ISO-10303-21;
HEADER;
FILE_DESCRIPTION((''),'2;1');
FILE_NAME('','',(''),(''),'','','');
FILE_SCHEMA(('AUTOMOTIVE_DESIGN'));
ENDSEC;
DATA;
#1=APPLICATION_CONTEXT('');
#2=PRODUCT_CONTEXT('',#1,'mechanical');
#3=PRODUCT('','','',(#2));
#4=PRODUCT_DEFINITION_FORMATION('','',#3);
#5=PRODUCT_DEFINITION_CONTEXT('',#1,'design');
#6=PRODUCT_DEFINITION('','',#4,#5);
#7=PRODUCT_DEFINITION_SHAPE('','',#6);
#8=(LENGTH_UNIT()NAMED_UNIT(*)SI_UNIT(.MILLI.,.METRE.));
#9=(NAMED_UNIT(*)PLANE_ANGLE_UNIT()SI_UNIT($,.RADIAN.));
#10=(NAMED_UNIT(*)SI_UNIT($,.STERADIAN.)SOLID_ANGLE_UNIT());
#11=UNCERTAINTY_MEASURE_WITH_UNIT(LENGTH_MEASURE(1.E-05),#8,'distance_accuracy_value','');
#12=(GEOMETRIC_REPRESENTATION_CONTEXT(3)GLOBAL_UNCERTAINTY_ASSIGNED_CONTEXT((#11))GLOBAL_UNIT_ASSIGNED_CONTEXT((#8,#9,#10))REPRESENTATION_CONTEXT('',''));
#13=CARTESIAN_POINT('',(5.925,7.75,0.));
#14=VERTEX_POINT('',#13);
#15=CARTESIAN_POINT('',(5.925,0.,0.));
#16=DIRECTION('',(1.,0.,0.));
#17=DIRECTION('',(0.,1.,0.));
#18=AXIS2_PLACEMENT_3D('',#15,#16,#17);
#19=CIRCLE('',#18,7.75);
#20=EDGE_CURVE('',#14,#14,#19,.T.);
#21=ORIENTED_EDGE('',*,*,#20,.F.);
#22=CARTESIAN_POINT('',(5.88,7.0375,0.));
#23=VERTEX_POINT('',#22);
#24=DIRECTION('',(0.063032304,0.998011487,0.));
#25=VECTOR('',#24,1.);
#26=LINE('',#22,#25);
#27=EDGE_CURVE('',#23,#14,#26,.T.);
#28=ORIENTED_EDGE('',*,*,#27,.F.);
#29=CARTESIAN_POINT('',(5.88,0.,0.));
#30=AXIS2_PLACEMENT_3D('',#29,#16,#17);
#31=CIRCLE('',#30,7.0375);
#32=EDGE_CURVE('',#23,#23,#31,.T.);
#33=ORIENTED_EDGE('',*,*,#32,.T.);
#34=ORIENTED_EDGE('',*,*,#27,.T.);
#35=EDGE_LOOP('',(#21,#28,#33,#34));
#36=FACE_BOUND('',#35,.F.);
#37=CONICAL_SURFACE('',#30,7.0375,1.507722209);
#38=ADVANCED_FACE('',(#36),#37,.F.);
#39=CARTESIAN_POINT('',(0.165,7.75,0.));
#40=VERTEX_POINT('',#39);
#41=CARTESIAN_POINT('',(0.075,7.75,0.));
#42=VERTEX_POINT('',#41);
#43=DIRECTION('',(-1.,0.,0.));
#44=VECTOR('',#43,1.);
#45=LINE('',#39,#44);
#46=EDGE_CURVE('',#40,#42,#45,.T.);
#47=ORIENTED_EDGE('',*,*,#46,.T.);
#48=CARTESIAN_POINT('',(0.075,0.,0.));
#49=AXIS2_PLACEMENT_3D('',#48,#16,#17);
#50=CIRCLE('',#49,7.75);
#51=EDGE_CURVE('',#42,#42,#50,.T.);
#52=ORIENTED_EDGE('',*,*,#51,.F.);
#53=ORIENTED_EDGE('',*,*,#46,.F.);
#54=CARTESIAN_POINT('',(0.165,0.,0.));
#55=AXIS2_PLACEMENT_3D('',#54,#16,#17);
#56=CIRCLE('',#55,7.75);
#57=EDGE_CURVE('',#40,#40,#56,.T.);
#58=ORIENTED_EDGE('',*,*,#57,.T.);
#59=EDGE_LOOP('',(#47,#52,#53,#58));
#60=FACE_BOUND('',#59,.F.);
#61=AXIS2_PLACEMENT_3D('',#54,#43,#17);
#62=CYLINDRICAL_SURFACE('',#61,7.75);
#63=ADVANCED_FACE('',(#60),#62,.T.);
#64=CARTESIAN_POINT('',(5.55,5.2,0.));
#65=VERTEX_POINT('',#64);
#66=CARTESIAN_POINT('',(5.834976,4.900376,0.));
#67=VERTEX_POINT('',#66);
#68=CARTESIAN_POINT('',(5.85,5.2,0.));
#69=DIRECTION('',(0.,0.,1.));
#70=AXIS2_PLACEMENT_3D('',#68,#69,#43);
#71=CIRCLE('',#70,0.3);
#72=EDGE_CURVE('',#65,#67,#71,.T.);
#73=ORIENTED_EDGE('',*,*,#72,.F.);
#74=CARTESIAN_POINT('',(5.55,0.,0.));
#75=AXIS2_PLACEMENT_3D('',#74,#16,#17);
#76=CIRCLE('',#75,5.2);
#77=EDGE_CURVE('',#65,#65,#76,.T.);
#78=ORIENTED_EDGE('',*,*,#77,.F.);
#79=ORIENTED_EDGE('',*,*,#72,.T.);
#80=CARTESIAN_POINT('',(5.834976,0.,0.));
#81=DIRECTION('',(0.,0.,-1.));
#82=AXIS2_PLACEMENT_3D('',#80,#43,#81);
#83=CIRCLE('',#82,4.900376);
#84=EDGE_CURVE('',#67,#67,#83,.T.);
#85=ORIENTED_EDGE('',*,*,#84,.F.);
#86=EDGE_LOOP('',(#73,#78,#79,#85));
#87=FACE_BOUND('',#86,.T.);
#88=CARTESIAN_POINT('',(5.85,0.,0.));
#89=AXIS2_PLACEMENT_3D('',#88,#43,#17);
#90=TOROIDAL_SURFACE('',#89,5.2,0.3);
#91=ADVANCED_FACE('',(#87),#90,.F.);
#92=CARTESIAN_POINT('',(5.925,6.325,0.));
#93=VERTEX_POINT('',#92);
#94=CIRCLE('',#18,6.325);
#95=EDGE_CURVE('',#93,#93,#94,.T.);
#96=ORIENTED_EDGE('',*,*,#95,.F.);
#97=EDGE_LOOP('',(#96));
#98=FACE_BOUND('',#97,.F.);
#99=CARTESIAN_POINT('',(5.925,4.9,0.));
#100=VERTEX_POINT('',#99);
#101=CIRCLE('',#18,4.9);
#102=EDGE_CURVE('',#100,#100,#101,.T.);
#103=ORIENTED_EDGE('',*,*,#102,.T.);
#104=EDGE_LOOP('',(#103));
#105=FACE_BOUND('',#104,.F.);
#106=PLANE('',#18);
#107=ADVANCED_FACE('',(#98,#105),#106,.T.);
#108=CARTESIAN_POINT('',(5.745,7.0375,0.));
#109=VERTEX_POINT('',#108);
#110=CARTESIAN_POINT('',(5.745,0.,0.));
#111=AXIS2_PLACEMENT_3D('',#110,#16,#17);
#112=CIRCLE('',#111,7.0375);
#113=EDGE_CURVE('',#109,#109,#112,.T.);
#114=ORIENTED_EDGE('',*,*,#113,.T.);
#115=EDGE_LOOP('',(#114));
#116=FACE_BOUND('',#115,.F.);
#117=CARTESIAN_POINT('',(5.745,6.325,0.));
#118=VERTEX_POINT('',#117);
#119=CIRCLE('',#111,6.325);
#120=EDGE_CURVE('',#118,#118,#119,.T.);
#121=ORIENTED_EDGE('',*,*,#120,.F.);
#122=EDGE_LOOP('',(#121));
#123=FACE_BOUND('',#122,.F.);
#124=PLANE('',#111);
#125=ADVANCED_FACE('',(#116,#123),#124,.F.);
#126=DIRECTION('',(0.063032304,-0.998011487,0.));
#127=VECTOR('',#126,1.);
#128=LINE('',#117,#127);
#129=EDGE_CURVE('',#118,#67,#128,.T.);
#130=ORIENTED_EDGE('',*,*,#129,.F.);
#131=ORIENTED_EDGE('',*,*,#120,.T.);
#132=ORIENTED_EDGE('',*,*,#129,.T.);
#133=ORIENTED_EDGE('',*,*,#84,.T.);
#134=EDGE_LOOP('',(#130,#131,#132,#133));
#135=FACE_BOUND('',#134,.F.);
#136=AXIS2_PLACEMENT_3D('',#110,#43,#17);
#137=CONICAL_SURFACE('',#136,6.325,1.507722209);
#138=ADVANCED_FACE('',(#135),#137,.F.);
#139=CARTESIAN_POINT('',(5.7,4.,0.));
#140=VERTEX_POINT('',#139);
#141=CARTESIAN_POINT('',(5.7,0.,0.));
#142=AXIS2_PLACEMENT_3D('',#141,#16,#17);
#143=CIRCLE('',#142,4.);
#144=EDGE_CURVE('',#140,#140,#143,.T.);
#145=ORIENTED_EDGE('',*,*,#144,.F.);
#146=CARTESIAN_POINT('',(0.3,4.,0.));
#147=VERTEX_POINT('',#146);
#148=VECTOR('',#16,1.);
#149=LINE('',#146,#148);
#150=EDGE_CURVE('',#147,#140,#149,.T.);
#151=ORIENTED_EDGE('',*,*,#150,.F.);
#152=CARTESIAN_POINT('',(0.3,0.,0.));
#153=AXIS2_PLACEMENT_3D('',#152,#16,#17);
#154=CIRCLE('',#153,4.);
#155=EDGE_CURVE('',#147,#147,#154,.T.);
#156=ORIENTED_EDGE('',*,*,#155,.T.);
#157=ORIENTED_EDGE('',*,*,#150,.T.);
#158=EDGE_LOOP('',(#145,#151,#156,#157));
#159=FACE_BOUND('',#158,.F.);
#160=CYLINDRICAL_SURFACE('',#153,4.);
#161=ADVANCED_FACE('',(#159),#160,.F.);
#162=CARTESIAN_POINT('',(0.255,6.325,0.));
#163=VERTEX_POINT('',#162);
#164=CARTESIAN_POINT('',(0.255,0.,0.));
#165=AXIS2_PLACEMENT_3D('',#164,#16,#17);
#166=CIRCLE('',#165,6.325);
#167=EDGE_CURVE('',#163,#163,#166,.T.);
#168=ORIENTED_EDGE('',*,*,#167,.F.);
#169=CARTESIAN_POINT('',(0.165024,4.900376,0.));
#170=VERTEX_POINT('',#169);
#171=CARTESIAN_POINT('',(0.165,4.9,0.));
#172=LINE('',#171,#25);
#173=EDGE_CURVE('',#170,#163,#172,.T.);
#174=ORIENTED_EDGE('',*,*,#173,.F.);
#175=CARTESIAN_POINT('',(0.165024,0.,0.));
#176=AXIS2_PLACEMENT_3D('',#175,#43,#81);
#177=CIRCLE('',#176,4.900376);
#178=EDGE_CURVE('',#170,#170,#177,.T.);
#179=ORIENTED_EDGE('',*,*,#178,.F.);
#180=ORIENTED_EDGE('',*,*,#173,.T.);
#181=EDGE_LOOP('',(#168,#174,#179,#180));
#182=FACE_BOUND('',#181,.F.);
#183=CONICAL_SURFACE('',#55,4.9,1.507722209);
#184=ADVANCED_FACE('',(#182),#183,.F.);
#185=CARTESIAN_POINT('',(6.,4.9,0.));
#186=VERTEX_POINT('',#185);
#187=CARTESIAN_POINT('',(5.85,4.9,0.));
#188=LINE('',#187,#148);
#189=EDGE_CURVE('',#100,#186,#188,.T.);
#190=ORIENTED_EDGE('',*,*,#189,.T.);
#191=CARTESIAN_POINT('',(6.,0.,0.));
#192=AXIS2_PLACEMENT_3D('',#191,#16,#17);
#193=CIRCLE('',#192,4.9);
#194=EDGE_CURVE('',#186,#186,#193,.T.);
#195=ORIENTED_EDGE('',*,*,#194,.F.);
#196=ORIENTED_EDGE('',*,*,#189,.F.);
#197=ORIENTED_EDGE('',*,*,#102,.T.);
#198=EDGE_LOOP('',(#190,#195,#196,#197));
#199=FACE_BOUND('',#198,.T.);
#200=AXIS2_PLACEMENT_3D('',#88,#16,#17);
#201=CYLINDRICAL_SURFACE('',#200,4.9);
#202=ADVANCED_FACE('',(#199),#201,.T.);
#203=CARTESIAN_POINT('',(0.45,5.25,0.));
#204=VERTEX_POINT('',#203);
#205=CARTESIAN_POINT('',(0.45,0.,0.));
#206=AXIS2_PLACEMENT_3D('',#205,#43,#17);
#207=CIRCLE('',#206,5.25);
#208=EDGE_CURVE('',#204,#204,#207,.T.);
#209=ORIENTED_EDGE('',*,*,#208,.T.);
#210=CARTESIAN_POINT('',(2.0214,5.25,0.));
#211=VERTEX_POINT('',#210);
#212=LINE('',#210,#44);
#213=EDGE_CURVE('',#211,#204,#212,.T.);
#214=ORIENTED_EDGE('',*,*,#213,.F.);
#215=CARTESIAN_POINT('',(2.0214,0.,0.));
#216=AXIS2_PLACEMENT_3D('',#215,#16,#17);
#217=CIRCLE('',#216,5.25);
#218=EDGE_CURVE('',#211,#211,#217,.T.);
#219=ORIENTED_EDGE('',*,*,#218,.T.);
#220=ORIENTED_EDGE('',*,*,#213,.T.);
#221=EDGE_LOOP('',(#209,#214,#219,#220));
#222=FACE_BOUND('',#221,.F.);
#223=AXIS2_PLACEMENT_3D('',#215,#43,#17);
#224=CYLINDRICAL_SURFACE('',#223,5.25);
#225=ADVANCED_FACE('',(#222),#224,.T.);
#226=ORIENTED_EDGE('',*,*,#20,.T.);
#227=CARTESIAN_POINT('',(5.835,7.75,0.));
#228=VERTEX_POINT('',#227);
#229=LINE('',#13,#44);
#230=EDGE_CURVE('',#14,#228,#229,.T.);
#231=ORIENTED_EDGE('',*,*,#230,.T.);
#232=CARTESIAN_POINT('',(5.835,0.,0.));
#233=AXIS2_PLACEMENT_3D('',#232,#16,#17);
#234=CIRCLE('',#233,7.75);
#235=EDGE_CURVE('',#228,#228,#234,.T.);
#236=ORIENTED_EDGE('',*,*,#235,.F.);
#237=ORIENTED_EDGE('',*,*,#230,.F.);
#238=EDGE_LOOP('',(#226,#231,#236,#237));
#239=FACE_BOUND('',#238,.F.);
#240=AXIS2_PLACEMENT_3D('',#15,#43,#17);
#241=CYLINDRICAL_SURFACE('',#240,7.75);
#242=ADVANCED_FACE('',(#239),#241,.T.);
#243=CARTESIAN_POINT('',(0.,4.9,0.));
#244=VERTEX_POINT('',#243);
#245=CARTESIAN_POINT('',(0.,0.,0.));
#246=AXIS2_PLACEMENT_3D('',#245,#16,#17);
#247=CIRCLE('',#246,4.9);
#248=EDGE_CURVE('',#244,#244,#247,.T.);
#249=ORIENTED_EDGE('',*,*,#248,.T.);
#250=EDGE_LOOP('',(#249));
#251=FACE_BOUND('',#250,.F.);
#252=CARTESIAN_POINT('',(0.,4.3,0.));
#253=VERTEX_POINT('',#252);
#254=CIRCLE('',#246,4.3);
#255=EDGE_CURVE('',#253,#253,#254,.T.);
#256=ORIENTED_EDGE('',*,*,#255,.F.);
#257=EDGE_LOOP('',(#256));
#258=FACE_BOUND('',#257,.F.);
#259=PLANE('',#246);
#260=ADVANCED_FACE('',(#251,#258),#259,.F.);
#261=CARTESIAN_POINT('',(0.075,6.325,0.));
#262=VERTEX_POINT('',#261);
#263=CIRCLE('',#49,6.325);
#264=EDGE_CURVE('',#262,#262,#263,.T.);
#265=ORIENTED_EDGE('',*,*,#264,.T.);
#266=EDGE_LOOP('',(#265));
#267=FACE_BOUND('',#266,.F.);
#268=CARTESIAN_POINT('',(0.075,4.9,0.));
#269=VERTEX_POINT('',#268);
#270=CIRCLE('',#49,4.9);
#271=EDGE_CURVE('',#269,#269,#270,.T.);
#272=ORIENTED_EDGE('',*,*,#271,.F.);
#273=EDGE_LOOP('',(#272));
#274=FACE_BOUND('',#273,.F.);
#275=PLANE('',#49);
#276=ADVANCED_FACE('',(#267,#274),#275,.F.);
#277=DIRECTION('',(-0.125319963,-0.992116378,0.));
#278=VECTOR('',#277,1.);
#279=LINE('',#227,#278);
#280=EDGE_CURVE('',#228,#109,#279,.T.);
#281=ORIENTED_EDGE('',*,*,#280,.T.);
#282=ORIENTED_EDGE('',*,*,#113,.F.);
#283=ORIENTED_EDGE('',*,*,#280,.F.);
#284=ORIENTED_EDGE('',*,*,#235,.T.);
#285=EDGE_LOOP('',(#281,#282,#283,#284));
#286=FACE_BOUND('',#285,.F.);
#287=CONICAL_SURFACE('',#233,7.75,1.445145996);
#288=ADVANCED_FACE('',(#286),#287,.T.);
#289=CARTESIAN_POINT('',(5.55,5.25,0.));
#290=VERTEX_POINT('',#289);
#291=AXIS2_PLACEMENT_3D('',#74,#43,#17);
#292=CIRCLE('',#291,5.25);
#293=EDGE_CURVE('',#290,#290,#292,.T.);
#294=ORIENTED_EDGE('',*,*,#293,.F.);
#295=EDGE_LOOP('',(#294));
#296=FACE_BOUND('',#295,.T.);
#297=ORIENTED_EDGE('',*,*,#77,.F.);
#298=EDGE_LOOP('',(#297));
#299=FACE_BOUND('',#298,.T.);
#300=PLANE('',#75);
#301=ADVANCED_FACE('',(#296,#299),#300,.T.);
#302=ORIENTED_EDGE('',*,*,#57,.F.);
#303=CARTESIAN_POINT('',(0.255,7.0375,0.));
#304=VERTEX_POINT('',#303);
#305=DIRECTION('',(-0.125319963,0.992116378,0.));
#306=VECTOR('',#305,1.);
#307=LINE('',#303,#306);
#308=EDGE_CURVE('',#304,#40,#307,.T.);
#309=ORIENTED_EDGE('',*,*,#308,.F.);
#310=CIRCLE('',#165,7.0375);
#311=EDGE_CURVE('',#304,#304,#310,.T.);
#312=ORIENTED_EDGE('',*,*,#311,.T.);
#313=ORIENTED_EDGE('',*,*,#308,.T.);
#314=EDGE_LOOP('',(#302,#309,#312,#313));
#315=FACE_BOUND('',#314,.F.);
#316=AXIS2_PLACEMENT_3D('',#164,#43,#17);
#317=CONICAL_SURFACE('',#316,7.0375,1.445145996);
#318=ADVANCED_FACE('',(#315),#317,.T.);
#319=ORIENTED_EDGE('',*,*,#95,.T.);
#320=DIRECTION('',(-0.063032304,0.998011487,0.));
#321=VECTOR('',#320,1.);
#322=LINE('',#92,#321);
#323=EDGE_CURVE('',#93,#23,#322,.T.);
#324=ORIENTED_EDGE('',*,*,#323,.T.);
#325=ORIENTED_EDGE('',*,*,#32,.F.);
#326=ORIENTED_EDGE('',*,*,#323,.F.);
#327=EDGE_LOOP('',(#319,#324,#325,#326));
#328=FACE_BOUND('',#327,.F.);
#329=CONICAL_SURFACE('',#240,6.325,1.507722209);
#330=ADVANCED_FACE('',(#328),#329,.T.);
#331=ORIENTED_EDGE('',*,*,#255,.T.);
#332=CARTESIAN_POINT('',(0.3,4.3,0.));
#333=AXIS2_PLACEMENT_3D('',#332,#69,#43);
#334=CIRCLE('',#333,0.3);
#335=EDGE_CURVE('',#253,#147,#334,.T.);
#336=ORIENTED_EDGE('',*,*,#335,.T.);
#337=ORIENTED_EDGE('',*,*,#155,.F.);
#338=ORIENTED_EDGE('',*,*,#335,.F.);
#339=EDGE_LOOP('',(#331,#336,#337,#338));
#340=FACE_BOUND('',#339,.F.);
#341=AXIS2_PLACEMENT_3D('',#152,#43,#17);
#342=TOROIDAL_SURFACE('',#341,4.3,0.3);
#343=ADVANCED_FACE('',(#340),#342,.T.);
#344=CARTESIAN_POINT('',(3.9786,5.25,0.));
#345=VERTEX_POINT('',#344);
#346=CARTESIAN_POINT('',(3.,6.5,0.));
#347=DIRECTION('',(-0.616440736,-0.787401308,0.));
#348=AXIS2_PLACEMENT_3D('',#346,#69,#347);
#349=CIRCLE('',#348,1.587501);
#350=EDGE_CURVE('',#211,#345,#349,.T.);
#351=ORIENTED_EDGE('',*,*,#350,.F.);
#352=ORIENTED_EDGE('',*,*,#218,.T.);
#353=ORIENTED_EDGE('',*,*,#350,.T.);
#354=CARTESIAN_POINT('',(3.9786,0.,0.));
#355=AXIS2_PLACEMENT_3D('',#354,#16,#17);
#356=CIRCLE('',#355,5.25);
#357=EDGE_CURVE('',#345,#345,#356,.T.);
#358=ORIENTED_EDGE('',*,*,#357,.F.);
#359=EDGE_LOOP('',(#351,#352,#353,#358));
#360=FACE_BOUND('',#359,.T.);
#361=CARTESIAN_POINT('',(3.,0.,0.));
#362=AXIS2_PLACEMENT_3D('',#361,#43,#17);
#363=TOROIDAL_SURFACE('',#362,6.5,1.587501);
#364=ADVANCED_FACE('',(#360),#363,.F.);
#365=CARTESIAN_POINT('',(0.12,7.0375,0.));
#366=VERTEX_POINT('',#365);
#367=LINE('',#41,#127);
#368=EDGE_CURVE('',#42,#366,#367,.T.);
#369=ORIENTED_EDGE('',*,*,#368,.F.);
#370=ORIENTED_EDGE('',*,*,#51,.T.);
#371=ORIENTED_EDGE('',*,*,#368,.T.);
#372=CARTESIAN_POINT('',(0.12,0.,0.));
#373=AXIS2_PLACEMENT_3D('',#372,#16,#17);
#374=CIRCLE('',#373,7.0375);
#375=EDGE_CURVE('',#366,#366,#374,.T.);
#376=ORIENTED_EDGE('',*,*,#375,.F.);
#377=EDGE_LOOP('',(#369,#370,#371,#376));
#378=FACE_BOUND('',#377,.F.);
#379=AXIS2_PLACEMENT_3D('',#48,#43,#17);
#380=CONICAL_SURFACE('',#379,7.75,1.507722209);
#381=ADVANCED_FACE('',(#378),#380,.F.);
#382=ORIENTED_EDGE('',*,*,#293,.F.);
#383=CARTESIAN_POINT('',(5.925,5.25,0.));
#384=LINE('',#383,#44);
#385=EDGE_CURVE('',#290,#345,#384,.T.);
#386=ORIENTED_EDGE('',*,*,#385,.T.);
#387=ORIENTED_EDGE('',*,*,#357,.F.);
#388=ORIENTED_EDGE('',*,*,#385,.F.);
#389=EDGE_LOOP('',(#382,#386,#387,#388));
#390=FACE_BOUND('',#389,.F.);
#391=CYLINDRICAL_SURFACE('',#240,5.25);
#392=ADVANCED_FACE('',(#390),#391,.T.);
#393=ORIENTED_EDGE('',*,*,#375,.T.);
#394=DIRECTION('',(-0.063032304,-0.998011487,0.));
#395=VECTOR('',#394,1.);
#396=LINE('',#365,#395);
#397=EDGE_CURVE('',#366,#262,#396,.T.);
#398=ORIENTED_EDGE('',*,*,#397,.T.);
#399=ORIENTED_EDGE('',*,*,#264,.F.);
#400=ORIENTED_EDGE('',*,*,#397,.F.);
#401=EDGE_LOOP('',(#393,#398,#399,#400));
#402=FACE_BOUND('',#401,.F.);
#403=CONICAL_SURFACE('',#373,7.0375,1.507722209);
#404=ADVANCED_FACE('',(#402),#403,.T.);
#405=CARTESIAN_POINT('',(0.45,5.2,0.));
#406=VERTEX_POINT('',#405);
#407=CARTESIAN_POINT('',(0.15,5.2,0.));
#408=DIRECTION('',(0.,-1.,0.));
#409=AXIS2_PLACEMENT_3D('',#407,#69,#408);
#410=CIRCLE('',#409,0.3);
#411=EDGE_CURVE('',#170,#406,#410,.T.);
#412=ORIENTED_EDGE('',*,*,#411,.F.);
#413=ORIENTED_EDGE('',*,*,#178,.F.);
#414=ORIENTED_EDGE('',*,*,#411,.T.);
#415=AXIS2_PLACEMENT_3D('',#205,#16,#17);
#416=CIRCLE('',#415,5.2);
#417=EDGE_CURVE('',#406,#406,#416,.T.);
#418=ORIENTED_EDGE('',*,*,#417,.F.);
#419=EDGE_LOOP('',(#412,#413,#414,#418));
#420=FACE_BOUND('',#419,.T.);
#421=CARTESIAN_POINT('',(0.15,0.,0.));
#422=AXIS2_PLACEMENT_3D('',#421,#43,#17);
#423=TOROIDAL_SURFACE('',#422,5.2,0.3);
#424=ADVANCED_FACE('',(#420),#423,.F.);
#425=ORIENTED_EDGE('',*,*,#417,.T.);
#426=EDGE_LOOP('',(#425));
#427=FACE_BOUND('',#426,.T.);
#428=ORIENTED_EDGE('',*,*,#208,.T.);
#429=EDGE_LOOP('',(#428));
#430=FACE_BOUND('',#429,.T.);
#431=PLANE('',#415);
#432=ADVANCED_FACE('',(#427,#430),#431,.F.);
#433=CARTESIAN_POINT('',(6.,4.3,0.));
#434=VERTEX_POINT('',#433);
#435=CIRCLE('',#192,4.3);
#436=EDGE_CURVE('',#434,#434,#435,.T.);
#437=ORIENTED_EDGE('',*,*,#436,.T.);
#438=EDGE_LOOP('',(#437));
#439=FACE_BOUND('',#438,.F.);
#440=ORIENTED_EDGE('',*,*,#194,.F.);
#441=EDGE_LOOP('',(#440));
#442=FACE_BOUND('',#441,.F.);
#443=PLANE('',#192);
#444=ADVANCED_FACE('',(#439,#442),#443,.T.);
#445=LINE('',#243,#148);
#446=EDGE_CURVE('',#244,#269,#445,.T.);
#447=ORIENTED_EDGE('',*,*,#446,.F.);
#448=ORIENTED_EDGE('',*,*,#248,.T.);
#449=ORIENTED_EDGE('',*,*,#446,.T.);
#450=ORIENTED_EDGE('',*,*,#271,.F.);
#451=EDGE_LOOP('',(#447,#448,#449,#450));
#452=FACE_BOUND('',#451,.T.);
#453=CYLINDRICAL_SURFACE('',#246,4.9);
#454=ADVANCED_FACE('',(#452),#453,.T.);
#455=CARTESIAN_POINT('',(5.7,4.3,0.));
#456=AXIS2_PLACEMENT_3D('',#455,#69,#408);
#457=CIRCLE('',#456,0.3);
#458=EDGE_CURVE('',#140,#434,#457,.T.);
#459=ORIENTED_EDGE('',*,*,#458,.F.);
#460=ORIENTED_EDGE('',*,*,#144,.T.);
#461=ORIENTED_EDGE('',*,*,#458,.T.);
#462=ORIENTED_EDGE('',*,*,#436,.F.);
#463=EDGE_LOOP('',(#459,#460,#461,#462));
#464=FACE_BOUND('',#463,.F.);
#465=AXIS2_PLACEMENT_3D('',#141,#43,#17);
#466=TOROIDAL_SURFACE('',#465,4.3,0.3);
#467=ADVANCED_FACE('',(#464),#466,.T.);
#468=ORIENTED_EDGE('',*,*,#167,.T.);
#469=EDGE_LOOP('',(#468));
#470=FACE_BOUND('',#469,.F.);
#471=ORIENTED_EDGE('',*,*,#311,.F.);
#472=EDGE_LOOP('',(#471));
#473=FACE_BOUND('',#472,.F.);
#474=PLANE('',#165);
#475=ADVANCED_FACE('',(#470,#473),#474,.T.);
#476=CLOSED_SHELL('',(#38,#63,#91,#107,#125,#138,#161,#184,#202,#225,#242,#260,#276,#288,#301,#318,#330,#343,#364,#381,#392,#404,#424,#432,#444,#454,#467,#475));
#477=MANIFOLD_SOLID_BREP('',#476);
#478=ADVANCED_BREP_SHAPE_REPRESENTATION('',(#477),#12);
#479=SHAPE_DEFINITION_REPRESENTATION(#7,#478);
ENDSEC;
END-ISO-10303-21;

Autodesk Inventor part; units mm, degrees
ref_plane "YZ Plane" through (0, 0, 0) normal (1, 0, 0) x (0, 1, 0)
ref_plane "XZ Plane" through (0, 0, 0) normal (0, 1, 0) x (-1, 0, 0)
ref_plane "XY Plane" through (0, 0, 0) normal (0, 0, 1) x (1, 0, 0)
sketch "Sketch_40" plane through (0, 0, 0) normal (0, 0, 1) x (1, 0, 0)
  line L0 (3, 0) -> (-3, 0)
  line L1 (0, 5.175) -> (0, 4.3)
  arc A0 (0, 4.3) -> (0.3, 4) centre (0.3, 4.3) ccw
  line L2 (0.3, 4) -> (5.7, 4)
  arc A1 (5.7, 4) -> (6, 4.3) centre (5.7, 4.3) ccw
  line L3 (6, 4.3) -> (6, 5.175)
  arc A2 (6, 5.175) -> (5.925, 5.25) centre (5.925, 5.175) ccw
  line L4 (5.925, 5.25) -> (3.9786, 5.25)
  arc A3 (2.0214, 5.25) -> (3.9786, 5.25) centre (3, 6.5) ccw
  line L5 (2.0214, 5.25) -> (0.075, 5.25)
  arc A4 (0.075, 5.25) -> (0, 5.175) centre (0.075, 5.175) ccw
revolve "Revolution1" add sketch "Sketch_40" angle 360 about axis through (3, 0, 0) along (1, 0, 0)
sketch "Sketch_42" plane through (0, 0, 0) normal (0, 0, 1) x (1, 0, 0)
  line L0 (3, 0) -> (-3, 0)
  line L1 (0, 11.4) -> (0, 4.9)
  line L2 (0, 4.9) -> (0.15, 4.9)
  arc A0 (0.15, 4.9) -> (0.45, 5.2) centre (0.15, 5.2) ccw
  line L3 (0.45, 5.2) -> (0.45, 11.1)
  line L4 (0.45, 11.1) -> (5.55, 11.1)
  line L5 (5.55, 11.1) -> (5.55, 5.2)
  arc A1 (5.55, 5.2) -> (5.85, 4.9) centre (5.85, 5.2) ccw
  line L6 (5.85, 4.9) -> (6, 4.9)
  line L7 (6, 4.9) -> (6, 11.4)
  line L8 (6, 11.4) -> (0, 11.4)
revolve "Revolution2" cut sketch "Sketch_42" angle 360 about axis through (3, 0, 0) along (1, 0, 0)
sketch "Sketch_43" plane through (0, 0, 0) normal (0, 0, 1) x (1, 0, 0)
  line L0 (50, 0) -> (-50, 0)
  line L1 (0.075, 7.75) -> (0.12, 7.0375)
  line L2 (0.12, 7.0375) -> (0.075, 6.325)
  line L3 (0.075, 6.325) -> (0.075, 4.9)
  line L4 (0.075, 4.9) -> (0.165, 4.9)
  line L5 (0.165, 4.9) -> (0.255, 6.325)
  line L6 (0.255, 6.325) -> (0.255, 7.0375)
  line L7 (0.255, 7.0375) -> (0.165, 7.75)
  line L8 (0.165, 7.75) -> (0.075, 7.75)
revolve "Revolution3" add sketch "Sketch_43" angle 360 about axis through (50, 0, 0) along (1, 0, 0)
sketch "Sketch_44" plane through (0, 0, 0) normal (0, 0, 1) x (1, 0, 0)
  line L0 (50, 0) -> (-50, 0)
  line L1 (5.745, 7.0375) -> (5.745, 6.325)
  line L2 (5.745, 6.325) -> (5.835, 4.9)
  line L3 (5.835, 4.9) -> (5.925, 4.9)
  line L4 (5.925, 4.9) -> (5.925, 6.325)
  line L5 (5.925, 6.325) -> (5.88, 7.0375)
  line L6 (5.88, 7.0375) -> (5.925, 7.75)
  line L7 (5.925, 7.75) -> (5.835, 7.75)
  line L8 (5.835, 7.75) -> (5.745, 7.0375)
revolve "Revolution4" add sketch "Sketch_44" angle 360 about axis through (50, 0, 0) along (1, 0, 0)
properties part number "W 619/8 R-2Z_PART1"
